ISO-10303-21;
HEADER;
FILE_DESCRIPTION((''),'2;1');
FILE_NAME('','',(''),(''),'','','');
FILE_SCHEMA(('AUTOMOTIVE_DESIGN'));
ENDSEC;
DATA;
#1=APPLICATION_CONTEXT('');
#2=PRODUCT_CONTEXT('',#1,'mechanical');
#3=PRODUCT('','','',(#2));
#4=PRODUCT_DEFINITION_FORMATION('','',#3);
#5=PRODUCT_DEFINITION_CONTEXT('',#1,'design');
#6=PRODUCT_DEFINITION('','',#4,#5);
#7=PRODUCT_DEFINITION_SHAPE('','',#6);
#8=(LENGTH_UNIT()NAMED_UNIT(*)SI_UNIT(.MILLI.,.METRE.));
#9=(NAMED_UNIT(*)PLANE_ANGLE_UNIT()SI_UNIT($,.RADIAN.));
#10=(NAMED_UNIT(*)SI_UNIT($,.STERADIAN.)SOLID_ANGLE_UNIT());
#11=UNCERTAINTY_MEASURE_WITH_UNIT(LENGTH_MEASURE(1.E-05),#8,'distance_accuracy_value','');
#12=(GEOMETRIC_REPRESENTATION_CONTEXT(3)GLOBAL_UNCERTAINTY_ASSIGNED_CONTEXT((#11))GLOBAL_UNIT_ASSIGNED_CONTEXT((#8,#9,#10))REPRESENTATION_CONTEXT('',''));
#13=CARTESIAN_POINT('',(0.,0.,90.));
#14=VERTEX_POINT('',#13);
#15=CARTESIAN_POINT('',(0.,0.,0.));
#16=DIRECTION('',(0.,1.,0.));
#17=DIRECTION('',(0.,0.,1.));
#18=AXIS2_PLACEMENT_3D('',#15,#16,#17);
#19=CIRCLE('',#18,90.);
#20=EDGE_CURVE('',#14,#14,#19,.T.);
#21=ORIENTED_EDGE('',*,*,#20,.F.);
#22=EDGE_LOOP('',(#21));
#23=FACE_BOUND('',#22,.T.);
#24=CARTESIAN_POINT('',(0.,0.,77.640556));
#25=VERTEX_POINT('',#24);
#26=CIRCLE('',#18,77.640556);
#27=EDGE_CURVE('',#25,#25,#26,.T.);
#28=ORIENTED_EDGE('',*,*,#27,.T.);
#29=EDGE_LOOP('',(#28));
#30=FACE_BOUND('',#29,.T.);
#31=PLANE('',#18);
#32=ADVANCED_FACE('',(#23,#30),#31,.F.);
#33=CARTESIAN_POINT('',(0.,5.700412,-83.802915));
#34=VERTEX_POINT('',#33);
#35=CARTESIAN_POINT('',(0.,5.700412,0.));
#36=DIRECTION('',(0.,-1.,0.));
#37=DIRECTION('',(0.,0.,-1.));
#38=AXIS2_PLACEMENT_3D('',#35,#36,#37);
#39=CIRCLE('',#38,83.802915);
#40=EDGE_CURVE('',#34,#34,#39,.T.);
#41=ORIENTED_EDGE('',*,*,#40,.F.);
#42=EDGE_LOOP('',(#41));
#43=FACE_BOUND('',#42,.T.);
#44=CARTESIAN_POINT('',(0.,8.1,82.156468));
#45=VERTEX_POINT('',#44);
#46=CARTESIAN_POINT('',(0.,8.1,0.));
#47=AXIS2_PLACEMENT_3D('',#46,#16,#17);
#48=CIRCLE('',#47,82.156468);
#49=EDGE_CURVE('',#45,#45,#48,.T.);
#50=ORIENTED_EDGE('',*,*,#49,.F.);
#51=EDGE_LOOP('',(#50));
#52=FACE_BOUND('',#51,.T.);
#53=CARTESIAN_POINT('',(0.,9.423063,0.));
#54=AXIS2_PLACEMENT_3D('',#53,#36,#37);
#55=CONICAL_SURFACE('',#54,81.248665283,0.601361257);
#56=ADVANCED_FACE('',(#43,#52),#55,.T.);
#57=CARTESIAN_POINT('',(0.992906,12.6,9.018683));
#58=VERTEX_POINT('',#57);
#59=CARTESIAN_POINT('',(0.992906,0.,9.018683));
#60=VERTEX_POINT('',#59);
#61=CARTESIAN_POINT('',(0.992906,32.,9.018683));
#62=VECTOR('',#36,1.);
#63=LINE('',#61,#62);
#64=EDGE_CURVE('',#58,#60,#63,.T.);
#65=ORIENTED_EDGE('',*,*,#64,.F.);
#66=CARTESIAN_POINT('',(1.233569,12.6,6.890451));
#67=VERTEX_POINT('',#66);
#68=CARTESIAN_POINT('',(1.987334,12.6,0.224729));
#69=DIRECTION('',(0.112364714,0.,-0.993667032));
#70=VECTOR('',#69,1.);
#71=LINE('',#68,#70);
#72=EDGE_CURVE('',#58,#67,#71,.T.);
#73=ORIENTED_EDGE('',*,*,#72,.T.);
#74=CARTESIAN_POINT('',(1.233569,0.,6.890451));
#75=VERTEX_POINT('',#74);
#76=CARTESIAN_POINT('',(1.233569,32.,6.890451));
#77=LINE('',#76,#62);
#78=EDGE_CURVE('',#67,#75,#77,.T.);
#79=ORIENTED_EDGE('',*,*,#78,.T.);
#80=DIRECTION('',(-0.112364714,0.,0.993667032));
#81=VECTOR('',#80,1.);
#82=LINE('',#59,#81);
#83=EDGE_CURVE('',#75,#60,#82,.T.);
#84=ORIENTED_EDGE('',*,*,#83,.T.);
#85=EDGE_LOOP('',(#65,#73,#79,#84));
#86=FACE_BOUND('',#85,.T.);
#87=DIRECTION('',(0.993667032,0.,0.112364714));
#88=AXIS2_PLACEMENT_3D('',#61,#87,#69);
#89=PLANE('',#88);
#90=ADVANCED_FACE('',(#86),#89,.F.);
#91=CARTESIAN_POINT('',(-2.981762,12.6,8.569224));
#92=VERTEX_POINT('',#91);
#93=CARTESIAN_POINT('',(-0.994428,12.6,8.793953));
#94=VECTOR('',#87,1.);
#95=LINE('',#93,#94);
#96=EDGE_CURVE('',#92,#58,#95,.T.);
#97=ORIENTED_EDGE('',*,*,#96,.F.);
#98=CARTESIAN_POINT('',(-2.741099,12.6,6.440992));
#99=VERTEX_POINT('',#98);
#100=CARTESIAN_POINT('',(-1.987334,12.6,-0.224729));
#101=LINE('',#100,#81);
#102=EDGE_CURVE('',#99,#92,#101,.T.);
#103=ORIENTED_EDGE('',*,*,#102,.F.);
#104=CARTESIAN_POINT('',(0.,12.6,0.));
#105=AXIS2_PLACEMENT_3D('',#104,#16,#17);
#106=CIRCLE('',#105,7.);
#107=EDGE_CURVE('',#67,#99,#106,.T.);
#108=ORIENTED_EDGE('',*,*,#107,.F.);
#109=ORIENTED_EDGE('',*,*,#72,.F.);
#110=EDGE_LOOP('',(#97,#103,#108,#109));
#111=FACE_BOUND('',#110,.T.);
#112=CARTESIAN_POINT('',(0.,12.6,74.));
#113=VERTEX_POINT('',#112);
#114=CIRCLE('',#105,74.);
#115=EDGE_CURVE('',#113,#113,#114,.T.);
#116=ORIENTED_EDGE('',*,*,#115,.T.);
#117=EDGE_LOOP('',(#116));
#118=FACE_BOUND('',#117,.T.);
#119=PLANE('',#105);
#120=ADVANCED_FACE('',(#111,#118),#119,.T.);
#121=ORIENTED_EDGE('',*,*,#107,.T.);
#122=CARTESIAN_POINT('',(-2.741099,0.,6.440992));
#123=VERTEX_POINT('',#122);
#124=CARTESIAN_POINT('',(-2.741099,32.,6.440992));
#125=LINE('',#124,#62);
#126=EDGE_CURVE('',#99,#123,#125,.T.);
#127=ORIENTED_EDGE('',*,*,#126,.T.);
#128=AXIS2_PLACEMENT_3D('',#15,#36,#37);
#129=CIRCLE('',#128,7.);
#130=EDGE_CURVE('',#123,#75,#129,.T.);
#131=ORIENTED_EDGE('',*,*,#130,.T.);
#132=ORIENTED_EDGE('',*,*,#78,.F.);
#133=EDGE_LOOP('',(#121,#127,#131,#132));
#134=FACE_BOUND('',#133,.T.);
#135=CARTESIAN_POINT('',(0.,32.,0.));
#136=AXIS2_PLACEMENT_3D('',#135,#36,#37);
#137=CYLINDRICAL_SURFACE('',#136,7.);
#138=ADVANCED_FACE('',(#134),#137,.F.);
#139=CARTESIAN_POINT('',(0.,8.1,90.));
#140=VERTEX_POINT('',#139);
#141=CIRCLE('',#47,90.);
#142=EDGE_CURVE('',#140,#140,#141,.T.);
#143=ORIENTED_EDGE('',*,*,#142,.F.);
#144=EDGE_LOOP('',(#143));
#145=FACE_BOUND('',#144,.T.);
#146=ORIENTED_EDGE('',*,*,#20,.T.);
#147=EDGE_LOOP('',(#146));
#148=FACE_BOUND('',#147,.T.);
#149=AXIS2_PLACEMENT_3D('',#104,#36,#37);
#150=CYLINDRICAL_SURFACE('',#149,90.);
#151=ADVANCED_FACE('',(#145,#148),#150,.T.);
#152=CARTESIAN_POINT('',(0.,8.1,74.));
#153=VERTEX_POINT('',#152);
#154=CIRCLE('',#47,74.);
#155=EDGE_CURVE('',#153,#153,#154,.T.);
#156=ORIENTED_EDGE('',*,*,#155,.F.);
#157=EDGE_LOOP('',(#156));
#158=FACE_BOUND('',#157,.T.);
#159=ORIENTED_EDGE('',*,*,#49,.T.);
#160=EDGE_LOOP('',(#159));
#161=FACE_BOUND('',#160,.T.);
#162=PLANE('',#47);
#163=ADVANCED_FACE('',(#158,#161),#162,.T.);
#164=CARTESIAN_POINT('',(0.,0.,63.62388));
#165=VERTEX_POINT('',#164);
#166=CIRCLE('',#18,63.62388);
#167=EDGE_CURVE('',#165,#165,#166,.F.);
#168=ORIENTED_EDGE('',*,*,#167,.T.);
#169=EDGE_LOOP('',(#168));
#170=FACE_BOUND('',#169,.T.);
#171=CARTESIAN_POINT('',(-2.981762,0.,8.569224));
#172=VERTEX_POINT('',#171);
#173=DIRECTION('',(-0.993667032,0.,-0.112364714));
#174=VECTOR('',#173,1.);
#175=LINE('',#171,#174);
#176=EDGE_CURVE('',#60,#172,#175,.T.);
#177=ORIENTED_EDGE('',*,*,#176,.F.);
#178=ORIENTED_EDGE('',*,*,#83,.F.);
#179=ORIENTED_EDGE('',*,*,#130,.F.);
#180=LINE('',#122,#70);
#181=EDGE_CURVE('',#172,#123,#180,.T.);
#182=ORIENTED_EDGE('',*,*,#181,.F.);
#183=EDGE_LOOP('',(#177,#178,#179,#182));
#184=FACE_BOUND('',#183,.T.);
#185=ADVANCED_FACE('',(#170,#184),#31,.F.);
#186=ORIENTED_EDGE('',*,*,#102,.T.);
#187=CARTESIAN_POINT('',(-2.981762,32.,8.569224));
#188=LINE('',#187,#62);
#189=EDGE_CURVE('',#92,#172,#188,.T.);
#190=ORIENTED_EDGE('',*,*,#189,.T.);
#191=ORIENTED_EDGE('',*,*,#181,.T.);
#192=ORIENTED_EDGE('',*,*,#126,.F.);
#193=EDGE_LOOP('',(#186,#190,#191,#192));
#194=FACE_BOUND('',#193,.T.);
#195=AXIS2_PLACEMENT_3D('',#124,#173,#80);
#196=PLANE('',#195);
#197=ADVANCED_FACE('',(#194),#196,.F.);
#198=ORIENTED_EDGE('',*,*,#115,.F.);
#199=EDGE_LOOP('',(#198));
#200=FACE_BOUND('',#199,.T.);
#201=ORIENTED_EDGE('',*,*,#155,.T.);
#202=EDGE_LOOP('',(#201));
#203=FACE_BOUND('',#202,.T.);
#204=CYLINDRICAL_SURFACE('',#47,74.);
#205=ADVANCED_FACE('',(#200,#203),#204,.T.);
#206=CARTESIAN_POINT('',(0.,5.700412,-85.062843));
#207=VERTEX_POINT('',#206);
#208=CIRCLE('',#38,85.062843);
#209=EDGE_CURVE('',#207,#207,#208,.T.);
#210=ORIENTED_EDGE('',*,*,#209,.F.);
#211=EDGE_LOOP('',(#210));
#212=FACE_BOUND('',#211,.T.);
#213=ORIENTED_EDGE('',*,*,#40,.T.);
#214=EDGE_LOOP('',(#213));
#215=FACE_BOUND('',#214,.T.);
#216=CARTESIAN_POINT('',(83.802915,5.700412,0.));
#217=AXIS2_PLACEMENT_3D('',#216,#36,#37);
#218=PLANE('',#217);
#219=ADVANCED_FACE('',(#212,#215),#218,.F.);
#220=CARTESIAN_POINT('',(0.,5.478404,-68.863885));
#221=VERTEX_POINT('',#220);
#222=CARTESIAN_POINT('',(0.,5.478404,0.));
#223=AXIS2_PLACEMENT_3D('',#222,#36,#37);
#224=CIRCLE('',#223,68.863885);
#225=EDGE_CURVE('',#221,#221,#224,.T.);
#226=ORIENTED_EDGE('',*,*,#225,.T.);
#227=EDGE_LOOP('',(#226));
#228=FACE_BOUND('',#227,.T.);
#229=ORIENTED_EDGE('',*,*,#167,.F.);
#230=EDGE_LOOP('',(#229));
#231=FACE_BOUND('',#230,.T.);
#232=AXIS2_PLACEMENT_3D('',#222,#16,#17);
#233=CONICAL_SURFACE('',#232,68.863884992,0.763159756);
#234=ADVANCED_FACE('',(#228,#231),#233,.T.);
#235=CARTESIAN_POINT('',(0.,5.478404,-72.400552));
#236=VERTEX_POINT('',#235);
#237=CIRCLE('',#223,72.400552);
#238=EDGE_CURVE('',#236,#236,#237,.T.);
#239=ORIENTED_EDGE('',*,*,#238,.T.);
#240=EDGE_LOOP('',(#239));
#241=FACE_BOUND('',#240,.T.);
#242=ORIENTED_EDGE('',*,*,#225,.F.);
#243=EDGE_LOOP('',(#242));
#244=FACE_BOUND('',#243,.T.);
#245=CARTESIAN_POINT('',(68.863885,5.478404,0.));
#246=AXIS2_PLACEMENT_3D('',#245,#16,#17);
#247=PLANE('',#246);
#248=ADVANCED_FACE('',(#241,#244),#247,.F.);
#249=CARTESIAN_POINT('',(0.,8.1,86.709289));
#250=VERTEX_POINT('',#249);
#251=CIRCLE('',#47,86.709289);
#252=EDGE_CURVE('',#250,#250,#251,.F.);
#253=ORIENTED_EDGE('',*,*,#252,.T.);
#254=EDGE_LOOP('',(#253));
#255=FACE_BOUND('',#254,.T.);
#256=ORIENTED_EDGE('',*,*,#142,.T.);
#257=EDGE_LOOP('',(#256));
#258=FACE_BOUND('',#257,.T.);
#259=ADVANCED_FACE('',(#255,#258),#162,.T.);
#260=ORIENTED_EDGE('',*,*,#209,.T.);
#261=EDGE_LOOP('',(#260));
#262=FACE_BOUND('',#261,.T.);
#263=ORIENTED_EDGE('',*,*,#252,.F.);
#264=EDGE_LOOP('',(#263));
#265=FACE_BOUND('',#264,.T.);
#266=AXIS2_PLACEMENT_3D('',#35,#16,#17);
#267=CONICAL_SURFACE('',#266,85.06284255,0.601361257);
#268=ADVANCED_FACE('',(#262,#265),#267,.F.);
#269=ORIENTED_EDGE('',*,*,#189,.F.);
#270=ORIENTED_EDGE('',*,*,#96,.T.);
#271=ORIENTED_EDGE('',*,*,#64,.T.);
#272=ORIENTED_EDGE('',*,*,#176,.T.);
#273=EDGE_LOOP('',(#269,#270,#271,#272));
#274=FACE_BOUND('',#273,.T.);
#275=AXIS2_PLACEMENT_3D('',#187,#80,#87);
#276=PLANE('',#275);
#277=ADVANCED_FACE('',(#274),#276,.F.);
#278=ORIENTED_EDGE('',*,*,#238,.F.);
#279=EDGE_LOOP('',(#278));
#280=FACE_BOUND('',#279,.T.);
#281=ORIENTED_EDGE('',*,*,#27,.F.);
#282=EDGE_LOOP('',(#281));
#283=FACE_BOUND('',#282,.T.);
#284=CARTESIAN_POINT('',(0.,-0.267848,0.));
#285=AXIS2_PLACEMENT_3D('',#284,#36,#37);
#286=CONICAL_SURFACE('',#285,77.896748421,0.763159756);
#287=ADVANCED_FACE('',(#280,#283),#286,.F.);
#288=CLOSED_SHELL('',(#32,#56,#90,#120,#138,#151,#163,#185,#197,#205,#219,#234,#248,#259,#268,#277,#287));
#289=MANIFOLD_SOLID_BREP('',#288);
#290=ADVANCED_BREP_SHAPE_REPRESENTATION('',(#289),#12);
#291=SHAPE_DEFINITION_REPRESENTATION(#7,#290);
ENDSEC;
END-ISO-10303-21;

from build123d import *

# Parameters (mm, degrees)
SKETCH_1_R          = 90
EXTRUDE_1_DEPTH     = 12.6
CUT_EXTRUDE_2_DEPTH = 32
SKETCH_12_R         = 90.5
SKETCH_12_R_2       = 74
CUT_EXTRUDE_3_DEPTH = 4.5


with BuildPart() as part:
    # Эскиз1 → Вытянуть1 (new body)
    with BuildSketch(Plane(origin=(0, 0, 0), x_dir=(1, 0, 0), z_dir=(0, 1, 0))):
        with Locations(Location((0, 0, 0), (0, 0, 270))):
            Circle(SKETCH_1_R)
    extrude(amount=EXTRUDE_1_DEPTH)

    # Эскиз3 → Вырез-Вытянуть2 (cut)
    with BuildSketch(Plane.XZ):
        with BuildLine():
            Line((-2.741099481, 6.440991666), (-2.981761783, 8.569223808))
            Line((-2.981761783, 8.569223808), (0.992906346, 9.018682664))
            Line((0.992906346, 9.018682664), (1.233568648, 6.890450522))
            ThreePointArc((1.233568648, 6.890450522), (0.786552998, -6.955669226), (-2.741099481, 6.440991666))
        make_face()
    extrude(amount=-CUT_EXTRUDE_2_DEPTH, mode=Mode.SUBTRACT)

    # Эскиз4 → Вырез-Повернуть1 (revolve, cut)
    with BuildSketch(Plane.XY, mode=Mode.PRIVATE) as cut_revolve_1_sk:
        Polygon((68.863884992, 5.478404134), (72.400551948, 5.478404134), (77.896748421, -0.267847705), (63.367688519, -0.267847705), align=None)
    revolve(cut_revolve_1_sk.sketch.rotate(Axis((0, 80, 0), (0, 1, 0)), 270), axis=Axis((0, 80, 0), (0, 1, 0)), mode=Mode.SUBTRACT)

    # Эскиз7 → Вырез-Повернуть2 (revolve, cut)
    with BuildSketch(Plane.XY, mode=Mode.PRIVATE) as cut_revolve_2_sk:
        Polygon((85.06284255, 5.700411661), (87.617091847, 9.423063388), (81.248665283, 9.423063388), (83.802914581, 5.700411661), align=None)
    revolve(cut_revolve_2_sk.sketch.rotate(Axis((0, 0, 0), (0, 1, 0)), 90), axis=Axis((0, 0, 0), (0, 1, 0)), mode=Mode.SUBTRACT)

    # Эскиз12 → Вытянуть3 (cut)
    with BuildSketch(Plane(origin=(0, 12.6, 0), x_dir=(1, 0, 0), z_dir=(0, 1, 0))):
        Circle(SKETCH_12_R)
        with Locations(Location((0, 0, 0), (0, 0, 270))):
            Circle(SKETCH_12_R_2, mode=Mode.SUBTRACT)
    extrude(amount=-CUT_EXTRUDE_3_DEPTH, mode=Mode.SUBTRACT)


solid = part.part
